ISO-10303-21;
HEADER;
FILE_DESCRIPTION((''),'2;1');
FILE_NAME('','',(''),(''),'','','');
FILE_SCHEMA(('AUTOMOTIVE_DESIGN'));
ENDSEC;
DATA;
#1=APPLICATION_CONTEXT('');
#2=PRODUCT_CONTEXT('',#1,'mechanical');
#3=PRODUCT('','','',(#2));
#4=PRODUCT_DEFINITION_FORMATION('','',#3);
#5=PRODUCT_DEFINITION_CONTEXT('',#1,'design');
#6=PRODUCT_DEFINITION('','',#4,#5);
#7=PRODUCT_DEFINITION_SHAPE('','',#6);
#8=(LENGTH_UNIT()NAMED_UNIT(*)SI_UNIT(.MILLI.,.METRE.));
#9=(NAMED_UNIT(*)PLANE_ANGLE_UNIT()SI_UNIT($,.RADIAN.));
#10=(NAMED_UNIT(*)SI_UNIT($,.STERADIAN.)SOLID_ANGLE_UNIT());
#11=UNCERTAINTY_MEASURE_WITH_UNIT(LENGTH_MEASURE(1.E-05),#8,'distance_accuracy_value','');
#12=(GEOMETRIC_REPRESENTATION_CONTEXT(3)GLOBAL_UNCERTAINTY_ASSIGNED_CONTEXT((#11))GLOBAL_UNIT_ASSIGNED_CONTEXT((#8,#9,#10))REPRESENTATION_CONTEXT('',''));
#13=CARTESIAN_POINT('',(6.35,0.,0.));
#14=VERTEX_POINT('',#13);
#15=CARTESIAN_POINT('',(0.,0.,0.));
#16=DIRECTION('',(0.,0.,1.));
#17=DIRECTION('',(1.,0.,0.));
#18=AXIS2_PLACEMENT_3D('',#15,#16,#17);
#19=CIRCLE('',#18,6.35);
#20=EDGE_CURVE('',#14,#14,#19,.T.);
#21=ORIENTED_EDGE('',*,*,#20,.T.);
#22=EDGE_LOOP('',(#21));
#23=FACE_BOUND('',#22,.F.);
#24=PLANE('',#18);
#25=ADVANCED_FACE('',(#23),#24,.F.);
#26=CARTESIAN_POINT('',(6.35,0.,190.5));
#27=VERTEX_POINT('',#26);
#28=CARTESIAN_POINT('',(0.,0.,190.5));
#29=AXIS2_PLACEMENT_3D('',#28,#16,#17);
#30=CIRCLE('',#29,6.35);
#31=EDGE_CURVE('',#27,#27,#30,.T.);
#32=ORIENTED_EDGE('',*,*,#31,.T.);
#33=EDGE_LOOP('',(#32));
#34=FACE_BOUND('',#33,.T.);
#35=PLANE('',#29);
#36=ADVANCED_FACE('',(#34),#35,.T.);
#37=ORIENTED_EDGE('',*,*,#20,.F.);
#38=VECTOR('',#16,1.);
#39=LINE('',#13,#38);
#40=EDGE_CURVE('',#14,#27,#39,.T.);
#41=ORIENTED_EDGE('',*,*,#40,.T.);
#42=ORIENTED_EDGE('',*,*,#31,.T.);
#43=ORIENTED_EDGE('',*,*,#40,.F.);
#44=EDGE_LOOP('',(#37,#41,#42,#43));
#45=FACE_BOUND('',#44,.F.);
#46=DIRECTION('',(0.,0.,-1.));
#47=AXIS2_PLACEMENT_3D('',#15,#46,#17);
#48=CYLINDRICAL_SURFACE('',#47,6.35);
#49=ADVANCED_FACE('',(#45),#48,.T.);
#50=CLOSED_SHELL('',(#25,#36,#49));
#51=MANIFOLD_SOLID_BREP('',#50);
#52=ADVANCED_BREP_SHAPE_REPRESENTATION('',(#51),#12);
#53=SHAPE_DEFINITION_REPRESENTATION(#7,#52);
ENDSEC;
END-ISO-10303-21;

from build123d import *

# Parameters (mm, degrees)
SKETCH1_R           = 6.35
BOSS_EXTRUDE1_DEPTH = 190.5


with BuildPart() as part:
    # Sketch1 → Boss-Extrude1 (new body)
    with BuildSketch(Plane.XY):
        Circle(SKETCH1_R)
    extrude(amount=BOSS_EXTRUDE1_DEPTH)


solid = part.part
